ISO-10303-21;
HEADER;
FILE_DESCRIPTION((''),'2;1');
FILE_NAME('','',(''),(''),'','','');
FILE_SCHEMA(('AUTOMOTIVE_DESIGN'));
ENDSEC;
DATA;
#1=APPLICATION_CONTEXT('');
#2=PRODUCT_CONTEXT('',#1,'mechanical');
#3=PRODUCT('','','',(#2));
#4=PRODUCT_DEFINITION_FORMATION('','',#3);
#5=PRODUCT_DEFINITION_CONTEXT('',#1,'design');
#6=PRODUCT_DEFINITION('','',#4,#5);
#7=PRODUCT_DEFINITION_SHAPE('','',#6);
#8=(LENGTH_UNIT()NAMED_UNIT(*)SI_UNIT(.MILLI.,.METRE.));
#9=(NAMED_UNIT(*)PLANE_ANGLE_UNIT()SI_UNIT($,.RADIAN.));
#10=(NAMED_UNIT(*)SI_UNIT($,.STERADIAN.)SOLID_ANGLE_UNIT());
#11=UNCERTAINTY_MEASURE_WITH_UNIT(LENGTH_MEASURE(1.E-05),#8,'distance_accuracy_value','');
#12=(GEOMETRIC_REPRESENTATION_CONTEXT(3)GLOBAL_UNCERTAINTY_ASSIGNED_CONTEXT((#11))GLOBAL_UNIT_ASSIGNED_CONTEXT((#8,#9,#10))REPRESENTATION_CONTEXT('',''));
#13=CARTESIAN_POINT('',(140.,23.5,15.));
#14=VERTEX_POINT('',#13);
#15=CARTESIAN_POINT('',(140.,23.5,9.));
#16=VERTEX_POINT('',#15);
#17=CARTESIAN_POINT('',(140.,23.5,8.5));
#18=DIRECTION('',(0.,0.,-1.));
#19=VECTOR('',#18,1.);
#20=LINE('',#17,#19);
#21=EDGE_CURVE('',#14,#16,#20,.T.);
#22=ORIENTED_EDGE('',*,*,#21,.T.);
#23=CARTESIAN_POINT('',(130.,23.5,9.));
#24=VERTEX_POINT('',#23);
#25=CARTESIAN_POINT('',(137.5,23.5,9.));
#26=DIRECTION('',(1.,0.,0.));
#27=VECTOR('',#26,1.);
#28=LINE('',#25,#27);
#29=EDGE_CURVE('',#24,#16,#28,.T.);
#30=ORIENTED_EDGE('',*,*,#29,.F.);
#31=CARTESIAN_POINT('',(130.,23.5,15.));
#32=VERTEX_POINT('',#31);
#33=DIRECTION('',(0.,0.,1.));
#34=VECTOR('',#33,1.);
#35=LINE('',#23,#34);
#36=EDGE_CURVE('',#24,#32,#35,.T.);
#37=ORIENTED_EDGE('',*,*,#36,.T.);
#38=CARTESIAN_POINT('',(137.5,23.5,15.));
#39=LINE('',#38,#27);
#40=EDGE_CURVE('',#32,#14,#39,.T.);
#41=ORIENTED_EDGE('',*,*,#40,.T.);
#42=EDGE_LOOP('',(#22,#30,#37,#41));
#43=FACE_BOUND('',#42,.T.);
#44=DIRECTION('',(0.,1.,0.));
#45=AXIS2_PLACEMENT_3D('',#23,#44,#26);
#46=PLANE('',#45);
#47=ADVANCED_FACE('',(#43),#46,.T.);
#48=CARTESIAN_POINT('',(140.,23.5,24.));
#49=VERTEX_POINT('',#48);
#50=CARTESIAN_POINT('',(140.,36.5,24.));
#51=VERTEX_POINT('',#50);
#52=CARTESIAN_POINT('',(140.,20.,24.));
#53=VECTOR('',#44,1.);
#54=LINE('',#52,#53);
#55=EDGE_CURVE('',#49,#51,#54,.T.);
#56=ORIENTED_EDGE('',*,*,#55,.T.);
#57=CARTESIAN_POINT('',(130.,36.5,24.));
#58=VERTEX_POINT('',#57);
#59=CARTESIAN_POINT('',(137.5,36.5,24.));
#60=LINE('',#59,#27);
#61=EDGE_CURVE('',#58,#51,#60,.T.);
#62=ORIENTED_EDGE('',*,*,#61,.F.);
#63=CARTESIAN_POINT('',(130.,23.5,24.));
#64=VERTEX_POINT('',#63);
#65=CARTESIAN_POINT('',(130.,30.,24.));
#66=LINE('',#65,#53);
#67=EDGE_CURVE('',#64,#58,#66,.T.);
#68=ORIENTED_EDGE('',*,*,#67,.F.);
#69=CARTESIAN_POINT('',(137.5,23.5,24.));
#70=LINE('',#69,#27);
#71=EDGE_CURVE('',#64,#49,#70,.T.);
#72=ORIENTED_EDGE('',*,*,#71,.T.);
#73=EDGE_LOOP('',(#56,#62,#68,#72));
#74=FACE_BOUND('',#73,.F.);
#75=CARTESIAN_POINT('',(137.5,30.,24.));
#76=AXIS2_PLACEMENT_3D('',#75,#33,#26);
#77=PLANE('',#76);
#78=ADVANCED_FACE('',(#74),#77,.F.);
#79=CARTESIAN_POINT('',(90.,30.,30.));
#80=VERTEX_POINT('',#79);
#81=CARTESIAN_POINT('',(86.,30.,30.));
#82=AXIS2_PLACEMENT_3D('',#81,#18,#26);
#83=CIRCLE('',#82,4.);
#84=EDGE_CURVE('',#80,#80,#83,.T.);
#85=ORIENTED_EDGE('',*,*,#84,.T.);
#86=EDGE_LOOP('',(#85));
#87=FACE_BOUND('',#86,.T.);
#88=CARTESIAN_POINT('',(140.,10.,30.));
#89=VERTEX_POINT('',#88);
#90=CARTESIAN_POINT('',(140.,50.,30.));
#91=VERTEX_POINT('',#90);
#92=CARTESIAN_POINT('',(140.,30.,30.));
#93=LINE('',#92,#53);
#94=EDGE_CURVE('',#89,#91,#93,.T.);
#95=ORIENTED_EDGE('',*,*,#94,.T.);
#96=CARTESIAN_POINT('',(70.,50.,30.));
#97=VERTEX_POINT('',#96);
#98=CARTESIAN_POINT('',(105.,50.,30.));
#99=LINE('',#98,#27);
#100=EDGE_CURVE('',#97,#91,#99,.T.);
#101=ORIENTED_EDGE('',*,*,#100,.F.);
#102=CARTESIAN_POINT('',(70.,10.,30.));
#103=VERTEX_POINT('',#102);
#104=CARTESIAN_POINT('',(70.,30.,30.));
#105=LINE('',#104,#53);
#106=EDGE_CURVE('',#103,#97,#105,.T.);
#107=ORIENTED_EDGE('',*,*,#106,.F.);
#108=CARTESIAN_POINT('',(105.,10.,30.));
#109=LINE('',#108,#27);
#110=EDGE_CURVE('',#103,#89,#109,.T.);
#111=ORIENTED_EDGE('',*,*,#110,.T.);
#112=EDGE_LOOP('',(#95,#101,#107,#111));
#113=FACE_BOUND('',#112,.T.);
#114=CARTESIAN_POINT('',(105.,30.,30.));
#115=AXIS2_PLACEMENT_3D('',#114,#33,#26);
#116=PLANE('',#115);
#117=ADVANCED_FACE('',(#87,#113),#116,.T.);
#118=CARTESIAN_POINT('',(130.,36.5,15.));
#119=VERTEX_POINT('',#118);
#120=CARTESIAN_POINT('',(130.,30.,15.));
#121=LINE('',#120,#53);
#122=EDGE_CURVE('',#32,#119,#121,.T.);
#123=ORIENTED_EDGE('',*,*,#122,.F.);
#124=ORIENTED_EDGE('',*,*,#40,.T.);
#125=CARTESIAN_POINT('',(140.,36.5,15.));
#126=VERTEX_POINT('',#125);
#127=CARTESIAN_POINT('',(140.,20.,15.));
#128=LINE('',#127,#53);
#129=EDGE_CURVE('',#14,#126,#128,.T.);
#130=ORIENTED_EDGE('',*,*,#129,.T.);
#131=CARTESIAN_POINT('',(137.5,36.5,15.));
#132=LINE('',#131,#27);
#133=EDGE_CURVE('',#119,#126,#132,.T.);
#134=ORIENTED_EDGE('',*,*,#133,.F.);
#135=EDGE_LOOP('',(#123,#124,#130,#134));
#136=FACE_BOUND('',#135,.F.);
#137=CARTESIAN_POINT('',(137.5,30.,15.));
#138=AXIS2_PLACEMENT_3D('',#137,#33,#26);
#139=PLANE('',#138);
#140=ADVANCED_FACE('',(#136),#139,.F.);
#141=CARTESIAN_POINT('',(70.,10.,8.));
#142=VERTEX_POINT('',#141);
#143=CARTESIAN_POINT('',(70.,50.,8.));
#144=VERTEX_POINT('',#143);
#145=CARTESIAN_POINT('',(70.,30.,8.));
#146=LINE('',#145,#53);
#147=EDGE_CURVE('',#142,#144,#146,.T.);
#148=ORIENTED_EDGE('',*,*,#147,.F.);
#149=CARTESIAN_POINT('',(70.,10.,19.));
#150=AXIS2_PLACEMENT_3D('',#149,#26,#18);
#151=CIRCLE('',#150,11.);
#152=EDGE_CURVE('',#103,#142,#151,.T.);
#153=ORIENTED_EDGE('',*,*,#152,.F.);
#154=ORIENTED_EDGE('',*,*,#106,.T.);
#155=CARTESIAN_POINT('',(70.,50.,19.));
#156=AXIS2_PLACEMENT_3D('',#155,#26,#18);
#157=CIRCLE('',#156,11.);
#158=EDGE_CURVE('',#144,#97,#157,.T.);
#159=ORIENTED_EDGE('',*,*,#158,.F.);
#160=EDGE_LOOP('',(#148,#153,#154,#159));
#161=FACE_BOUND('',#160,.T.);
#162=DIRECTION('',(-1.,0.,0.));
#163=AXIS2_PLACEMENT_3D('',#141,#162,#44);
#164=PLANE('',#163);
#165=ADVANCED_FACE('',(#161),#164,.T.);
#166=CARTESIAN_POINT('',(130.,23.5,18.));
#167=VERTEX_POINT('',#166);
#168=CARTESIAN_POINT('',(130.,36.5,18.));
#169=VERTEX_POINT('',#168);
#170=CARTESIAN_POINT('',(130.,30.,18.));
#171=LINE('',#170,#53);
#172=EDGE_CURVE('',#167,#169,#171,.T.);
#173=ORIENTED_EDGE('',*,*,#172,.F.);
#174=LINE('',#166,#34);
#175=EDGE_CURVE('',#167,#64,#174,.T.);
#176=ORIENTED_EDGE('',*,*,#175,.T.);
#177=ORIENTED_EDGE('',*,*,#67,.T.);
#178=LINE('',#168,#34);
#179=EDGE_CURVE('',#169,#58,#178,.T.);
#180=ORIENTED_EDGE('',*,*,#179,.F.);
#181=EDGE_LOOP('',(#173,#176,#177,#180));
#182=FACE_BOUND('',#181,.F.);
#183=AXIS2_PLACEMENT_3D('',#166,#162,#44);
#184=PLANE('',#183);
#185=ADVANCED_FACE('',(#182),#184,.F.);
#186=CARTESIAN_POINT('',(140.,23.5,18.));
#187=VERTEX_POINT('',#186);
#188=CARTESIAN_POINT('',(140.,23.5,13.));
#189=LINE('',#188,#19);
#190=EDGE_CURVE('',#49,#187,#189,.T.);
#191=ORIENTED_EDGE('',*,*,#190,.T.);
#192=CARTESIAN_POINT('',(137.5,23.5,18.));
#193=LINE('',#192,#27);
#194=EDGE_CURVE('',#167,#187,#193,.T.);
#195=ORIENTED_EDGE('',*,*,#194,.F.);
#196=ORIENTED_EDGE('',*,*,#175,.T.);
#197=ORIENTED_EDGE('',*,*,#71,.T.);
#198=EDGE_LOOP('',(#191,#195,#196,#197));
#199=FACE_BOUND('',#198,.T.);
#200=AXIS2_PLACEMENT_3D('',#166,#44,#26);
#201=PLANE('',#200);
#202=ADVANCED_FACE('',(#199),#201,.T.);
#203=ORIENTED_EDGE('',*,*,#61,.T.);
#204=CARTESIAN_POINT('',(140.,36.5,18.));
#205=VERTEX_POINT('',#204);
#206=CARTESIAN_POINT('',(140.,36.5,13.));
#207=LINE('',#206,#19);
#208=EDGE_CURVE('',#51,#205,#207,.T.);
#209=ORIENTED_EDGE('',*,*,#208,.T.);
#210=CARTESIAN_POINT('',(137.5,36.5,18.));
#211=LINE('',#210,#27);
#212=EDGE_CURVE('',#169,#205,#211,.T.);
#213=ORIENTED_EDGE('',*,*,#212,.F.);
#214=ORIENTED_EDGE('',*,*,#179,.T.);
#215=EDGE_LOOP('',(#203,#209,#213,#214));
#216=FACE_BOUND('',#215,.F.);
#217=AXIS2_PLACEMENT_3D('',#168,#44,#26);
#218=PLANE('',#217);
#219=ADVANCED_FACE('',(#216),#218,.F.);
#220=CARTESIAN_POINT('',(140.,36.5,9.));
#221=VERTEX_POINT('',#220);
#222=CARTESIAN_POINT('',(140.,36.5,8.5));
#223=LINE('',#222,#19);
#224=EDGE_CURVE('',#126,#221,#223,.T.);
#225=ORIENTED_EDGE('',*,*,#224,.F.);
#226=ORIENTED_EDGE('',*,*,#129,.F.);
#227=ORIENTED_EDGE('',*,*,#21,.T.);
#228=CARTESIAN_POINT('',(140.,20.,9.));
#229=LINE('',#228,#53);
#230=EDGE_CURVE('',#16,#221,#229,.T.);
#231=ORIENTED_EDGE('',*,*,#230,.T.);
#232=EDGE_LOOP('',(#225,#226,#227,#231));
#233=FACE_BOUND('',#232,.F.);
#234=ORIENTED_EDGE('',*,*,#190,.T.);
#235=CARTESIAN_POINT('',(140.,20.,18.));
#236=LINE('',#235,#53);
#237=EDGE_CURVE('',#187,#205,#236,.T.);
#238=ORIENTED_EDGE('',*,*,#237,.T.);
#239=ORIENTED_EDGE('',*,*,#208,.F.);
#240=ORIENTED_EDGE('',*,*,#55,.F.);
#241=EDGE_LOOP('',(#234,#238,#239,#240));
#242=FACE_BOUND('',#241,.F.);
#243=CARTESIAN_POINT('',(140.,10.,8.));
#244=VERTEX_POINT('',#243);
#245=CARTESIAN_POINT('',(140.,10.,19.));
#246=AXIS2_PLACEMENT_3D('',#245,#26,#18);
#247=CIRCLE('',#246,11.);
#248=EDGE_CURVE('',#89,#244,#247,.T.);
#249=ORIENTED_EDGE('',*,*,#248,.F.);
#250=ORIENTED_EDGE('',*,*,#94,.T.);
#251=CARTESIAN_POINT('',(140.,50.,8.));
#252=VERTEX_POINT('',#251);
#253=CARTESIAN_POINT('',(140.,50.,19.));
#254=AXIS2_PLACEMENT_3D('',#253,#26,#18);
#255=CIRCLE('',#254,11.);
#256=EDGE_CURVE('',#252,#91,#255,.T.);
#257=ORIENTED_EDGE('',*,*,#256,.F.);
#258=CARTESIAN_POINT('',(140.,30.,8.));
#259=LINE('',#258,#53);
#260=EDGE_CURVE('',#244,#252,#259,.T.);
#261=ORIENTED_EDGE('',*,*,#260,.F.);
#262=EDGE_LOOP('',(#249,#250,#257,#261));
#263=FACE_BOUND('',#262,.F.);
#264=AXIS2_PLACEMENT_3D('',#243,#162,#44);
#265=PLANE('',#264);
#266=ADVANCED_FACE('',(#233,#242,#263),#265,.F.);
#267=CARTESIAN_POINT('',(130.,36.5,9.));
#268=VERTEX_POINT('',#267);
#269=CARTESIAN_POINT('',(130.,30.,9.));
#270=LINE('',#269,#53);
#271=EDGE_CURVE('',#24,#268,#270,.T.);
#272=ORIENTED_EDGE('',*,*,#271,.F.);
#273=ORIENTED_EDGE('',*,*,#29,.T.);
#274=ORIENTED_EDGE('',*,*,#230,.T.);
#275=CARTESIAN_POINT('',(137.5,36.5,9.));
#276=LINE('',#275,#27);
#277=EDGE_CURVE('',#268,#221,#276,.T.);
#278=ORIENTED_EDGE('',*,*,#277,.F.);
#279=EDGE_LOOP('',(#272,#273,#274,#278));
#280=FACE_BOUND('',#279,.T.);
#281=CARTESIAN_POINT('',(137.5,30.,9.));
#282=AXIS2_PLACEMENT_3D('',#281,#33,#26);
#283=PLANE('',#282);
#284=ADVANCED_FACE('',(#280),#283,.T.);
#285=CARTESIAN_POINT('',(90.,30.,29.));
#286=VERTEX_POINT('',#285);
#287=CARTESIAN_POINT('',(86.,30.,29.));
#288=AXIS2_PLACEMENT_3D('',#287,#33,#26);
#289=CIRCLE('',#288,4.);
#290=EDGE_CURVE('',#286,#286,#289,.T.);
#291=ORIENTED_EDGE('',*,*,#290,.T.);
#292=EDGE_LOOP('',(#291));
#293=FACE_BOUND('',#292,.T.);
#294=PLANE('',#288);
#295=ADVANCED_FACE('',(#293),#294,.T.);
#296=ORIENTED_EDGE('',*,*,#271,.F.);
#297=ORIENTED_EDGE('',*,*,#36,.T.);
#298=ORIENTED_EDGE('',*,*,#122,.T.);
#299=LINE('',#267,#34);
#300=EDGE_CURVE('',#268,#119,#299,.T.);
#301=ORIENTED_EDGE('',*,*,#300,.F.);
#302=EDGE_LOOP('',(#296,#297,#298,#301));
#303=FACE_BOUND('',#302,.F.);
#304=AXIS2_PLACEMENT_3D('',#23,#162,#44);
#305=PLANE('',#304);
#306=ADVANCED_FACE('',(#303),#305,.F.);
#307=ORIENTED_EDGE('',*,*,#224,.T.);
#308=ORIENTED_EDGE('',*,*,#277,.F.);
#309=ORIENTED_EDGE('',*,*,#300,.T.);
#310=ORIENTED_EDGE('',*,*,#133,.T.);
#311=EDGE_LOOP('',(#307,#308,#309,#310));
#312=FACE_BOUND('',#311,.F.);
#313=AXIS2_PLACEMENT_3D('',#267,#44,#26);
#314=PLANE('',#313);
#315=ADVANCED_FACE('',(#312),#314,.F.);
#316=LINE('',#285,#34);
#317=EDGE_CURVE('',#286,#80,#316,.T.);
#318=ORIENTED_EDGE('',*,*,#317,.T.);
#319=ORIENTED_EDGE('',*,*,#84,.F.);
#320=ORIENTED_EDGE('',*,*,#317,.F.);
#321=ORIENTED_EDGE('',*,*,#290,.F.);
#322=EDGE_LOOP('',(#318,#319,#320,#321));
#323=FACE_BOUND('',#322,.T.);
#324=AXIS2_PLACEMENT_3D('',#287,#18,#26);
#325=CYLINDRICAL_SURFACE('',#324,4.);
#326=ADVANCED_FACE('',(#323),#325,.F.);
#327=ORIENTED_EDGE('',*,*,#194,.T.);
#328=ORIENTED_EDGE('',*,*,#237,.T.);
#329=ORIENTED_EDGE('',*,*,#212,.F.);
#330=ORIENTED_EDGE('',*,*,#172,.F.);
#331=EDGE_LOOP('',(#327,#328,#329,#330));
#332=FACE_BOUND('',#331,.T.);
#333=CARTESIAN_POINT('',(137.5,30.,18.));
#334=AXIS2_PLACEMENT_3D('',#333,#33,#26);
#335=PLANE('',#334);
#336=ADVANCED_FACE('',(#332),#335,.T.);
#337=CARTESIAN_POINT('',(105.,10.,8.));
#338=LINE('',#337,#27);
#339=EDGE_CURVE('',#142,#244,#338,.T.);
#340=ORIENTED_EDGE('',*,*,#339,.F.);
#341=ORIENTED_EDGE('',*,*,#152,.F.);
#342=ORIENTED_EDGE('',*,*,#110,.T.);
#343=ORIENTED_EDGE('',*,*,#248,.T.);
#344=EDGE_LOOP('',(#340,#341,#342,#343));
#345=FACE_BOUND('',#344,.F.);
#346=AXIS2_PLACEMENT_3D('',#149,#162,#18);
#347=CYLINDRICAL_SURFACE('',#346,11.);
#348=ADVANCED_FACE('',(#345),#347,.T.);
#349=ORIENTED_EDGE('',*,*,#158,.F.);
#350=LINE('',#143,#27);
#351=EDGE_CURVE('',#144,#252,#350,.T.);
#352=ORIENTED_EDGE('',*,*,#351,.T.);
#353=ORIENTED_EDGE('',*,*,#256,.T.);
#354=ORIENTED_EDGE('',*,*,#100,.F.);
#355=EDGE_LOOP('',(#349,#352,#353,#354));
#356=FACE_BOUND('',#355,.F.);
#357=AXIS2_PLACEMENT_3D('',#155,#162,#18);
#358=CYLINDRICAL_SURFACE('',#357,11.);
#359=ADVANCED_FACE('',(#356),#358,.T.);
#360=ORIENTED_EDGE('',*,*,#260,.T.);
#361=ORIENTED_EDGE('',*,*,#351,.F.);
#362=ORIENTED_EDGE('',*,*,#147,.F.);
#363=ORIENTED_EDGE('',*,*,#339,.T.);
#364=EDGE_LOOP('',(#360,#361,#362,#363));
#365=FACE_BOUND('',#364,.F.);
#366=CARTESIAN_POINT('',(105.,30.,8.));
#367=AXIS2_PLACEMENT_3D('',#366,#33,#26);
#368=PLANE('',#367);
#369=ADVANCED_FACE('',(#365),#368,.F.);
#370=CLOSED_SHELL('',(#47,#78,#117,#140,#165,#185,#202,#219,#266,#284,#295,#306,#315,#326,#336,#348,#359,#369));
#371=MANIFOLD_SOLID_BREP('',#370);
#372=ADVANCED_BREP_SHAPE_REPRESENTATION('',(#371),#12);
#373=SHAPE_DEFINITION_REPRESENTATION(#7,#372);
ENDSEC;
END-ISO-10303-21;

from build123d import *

# Parameters (mm, degrees)
CYLINDER002001001002003_R           = 4
CYLINDER002001001002003_DEPTH       = 2
BOX001002001003003_W                = 15
BOX001002001003003_H                = 13
BOX001002001003003_DEPTH            = 6
BOX001001001_W                      = 15
BOX001001001_H                      = 13
BOX001001001_DEPTH                  = 6
BOX001002001003002_W                = 70
BOX001002001003002_H                = 40
BOX001002001003002_DEPTH            = 22
CYLINDER002001001002002_R           = 11
CYLINDER002001001002002_DEPTH       = 70
CYLINDER002001001002002_PITCH_ANGLE = 90
CYLINDER001_R                       = 11
CYLINDER001_DEPTH                   = 70
CYLINDER001_PITCH_ANGLE             = 90


with BuildPart() as powerbutton:
    # Cylinder002001001002003 → Cylinder002001001002003 (new body)
    with BuildSketch(Plane(origin=(16, 20, 10), x_dir=(1, 0, 0), z_dir=(0, 0, 1))):
        Circle(CYLINDER002001001002003_R)
    extrude(amount=CYLINDER002001001002003_DEPTH)


with BuildPart() as usb1:
    # Box001002001003003 → Box001002001003003 (new body)
    with BuildSketch(Plane(origin=(60, 13.5, -1), x_dir=(1, 0, 0), z_dir=(0, 0, 1))):
        with Locations((7.5, 6.5)):
            Rectangle(BOX001002001003003_W, BOX001002001003003_H)
    extrude(amount=BOX001002001003003_DEPTH)


with BuildPart() as fusion001001:
    # Box001001001 → Box001001001 (new body)
    with BuildSketch(Plane(origin=(60, 13.5, -10), x_dir=(1, 0, 0), z_dir=(0, 0, 1))):
        with Locations((7.5, 6.5)):
            Rectangle(BOX001001001_W, BOX001001001_H)
    extrude(amount=BOX001001001_DEPTH)

    # Fusion001001: union PowerButton, USB1
    add(powerbutton.part)
    add(usb1.part)


with BuildPart() as box001002001003002:
    # Box001002001003002 → Box001002001003002 (new body)
    with BuildSketch(Plane.XY.offset(-11)):
        with Locations((35, 20)):
            Rectangle(BOX001002001003002_W, BOX001002001003002_H)
    extrude(amount=BOX001002001003002_DEPTH)


with BuildPart() as cylinder002001001002002:
    # Cylinder002001001002002 → Cylinder002001001002002 (new body)
    with BuildSketch(Plane.XY):
        Circle(CYLINDER002001001002002_R)
    extrude(amount=CYLINDER002001001002002_DEPTH)


with BuildPart() as cylinder002001001002002_1:
    # Cylinder002001001002002 pitch: moved
    add(cylinder002001001002002.part.rotate(Axis((0, 0, 0), (0, 1, 0)), CYLINDER002001001002002_PITCH_ANGLE))


with BuildPart() as cylinder002001001002002_2:
    # Cylinder002001001002002 placement: moved
    add(cylinder002001001002002_1.part)


with BuildPart() as eneloop:
    # Cylinder001 → Cylinder001 (new body)
    with BuildSketch(Plane.XY):
        Circle(CYLINDER001_R)
    extrude(amount=CYLINDER001_DEPTH)


with BuildPart() as eneloop_1:
    # Cylinder001 pitch: moved
    add(eneloop.part.rotate(Axis((0, 0, 0), (0, 1, 0)), CYLINDER001_PITCH_ANGLE))


with BuildPart() as eneloop_2:
    # Cylinder001 placement: moved
    add(eneloop_1.part.moved(Location((0, 40, 0))))

    # Fusion002001002002002001002: union Box001002001003002, Cylinder002001001002002
    add(box001002001003002.part)
    add(cylinder002001001002002_2.part)

    # Cut: cut Fusion001001
    add(fusion001001.part, mode=Mode.SUBTRACT)


with BuildPart() as eneloop_3:
    # Cut placement: moved
    add(eneloop_2.part.moved(Location((70, 10, 19))))


solid = eneloop_3.part
